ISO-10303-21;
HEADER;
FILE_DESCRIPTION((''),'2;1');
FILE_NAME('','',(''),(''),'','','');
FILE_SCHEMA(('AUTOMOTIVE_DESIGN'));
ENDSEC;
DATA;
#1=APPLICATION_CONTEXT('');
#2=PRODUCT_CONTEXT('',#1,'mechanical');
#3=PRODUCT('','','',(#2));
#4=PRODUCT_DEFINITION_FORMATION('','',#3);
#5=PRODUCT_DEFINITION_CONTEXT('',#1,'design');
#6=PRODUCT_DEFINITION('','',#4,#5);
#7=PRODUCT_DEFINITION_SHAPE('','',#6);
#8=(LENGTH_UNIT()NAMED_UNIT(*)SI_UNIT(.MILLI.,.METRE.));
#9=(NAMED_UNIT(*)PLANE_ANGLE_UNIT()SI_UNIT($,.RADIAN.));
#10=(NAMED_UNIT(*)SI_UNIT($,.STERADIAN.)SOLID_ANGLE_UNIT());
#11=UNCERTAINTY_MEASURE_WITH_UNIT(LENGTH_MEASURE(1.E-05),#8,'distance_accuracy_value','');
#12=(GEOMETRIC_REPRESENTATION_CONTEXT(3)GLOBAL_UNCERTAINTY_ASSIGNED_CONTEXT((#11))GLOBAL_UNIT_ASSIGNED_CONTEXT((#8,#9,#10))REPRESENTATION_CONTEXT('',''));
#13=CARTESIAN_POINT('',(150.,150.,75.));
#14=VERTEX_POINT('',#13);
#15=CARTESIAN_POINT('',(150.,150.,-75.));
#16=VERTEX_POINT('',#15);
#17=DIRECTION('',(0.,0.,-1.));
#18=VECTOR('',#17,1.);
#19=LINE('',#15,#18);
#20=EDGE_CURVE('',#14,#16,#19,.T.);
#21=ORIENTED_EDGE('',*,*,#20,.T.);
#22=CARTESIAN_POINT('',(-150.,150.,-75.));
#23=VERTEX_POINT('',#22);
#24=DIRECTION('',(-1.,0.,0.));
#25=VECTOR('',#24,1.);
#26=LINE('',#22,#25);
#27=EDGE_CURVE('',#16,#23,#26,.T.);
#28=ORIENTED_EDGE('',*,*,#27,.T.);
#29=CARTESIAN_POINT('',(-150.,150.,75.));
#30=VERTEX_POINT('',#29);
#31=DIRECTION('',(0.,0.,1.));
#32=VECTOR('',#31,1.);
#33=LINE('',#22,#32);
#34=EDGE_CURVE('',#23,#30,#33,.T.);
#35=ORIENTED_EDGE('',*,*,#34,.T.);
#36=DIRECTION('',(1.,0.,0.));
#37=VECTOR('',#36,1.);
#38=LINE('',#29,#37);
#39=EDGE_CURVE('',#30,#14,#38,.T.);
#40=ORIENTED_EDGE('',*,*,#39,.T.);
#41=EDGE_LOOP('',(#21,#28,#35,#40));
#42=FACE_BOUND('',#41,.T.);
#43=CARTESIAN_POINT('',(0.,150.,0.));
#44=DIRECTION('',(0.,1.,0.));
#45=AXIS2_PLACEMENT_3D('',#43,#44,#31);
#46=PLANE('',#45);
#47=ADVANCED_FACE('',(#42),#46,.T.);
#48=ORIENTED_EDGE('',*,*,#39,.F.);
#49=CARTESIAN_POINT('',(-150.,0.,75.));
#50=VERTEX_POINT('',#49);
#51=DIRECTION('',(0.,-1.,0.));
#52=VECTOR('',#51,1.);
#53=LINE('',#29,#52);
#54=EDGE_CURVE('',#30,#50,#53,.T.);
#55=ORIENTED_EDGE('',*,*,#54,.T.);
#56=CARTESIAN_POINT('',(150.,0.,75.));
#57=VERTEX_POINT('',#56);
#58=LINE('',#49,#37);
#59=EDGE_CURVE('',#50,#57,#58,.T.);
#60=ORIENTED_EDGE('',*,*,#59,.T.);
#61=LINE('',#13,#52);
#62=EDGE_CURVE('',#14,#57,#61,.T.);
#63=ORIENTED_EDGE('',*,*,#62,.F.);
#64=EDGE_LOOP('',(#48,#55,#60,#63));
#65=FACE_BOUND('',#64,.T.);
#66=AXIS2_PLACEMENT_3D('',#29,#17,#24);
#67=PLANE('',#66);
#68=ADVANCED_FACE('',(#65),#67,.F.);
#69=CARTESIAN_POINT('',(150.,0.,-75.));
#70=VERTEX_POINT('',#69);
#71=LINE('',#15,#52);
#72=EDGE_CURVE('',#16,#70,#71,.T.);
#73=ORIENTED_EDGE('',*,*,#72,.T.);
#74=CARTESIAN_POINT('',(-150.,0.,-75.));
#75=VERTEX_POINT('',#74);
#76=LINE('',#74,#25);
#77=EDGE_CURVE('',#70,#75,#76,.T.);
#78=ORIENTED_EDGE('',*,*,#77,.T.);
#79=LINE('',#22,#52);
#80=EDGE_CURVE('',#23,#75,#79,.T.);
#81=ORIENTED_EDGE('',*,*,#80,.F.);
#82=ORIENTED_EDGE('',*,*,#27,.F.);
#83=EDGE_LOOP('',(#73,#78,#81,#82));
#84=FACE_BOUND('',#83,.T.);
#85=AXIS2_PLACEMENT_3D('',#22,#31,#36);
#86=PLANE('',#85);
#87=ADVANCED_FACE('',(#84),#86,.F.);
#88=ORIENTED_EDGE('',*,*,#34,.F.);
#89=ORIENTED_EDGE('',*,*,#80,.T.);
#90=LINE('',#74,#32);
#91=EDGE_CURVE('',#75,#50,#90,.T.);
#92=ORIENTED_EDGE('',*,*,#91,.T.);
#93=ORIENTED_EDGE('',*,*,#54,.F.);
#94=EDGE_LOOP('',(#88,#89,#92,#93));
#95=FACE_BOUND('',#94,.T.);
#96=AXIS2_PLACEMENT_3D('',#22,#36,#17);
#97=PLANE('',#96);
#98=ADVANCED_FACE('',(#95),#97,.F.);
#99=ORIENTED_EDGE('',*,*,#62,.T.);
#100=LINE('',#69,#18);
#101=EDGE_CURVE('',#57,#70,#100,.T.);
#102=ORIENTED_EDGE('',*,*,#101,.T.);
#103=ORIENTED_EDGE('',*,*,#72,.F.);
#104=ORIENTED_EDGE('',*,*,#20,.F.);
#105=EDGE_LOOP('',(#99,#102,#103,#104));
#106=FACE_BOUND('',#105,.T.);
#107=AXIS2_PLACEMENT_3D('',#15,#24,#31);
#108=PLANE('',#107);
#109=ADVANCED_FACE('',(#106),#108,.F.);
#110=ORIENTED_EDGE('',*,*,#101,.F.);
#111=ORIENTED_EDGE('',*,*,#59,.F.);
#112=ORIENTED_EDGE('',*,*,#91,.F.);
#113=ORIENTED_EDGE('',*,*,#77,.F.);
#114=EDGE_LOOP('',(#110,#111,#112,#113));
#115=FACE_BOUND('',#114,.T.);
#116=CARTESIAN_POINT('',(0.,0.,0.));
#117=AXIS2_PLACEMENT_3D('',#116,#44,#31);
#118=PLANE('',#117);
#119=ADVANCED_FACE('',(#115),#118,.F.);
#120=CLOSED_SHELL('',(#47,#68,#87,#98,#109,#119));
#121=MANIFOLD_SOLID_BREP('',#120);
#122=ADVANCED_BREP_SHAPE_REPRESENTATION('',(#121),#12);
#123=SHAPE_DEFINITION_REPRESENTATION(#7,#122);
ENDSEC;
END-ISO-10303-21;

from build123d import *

# Parameters (mm, degrees)
SKETCH_1_W      = 300
SKETCH_1_H      = 150
EXTRUDE_1_DEPTH = 150


with BuildPart() as part:
    # ｽｹｯﾁ1 → ﾎﾞｽ - 押し出し1 (new body)
    with BuildSketch(Plane(origin=(0, 0, 0), x_dir=(1, 0, 0), z_dir=(0, 1, 0))):
        Rectangle(SKETCH_1_W, SKETCH_1_H)
    extrude(amount=EXTRUDE_1_DEPTH)


solid = part.part
